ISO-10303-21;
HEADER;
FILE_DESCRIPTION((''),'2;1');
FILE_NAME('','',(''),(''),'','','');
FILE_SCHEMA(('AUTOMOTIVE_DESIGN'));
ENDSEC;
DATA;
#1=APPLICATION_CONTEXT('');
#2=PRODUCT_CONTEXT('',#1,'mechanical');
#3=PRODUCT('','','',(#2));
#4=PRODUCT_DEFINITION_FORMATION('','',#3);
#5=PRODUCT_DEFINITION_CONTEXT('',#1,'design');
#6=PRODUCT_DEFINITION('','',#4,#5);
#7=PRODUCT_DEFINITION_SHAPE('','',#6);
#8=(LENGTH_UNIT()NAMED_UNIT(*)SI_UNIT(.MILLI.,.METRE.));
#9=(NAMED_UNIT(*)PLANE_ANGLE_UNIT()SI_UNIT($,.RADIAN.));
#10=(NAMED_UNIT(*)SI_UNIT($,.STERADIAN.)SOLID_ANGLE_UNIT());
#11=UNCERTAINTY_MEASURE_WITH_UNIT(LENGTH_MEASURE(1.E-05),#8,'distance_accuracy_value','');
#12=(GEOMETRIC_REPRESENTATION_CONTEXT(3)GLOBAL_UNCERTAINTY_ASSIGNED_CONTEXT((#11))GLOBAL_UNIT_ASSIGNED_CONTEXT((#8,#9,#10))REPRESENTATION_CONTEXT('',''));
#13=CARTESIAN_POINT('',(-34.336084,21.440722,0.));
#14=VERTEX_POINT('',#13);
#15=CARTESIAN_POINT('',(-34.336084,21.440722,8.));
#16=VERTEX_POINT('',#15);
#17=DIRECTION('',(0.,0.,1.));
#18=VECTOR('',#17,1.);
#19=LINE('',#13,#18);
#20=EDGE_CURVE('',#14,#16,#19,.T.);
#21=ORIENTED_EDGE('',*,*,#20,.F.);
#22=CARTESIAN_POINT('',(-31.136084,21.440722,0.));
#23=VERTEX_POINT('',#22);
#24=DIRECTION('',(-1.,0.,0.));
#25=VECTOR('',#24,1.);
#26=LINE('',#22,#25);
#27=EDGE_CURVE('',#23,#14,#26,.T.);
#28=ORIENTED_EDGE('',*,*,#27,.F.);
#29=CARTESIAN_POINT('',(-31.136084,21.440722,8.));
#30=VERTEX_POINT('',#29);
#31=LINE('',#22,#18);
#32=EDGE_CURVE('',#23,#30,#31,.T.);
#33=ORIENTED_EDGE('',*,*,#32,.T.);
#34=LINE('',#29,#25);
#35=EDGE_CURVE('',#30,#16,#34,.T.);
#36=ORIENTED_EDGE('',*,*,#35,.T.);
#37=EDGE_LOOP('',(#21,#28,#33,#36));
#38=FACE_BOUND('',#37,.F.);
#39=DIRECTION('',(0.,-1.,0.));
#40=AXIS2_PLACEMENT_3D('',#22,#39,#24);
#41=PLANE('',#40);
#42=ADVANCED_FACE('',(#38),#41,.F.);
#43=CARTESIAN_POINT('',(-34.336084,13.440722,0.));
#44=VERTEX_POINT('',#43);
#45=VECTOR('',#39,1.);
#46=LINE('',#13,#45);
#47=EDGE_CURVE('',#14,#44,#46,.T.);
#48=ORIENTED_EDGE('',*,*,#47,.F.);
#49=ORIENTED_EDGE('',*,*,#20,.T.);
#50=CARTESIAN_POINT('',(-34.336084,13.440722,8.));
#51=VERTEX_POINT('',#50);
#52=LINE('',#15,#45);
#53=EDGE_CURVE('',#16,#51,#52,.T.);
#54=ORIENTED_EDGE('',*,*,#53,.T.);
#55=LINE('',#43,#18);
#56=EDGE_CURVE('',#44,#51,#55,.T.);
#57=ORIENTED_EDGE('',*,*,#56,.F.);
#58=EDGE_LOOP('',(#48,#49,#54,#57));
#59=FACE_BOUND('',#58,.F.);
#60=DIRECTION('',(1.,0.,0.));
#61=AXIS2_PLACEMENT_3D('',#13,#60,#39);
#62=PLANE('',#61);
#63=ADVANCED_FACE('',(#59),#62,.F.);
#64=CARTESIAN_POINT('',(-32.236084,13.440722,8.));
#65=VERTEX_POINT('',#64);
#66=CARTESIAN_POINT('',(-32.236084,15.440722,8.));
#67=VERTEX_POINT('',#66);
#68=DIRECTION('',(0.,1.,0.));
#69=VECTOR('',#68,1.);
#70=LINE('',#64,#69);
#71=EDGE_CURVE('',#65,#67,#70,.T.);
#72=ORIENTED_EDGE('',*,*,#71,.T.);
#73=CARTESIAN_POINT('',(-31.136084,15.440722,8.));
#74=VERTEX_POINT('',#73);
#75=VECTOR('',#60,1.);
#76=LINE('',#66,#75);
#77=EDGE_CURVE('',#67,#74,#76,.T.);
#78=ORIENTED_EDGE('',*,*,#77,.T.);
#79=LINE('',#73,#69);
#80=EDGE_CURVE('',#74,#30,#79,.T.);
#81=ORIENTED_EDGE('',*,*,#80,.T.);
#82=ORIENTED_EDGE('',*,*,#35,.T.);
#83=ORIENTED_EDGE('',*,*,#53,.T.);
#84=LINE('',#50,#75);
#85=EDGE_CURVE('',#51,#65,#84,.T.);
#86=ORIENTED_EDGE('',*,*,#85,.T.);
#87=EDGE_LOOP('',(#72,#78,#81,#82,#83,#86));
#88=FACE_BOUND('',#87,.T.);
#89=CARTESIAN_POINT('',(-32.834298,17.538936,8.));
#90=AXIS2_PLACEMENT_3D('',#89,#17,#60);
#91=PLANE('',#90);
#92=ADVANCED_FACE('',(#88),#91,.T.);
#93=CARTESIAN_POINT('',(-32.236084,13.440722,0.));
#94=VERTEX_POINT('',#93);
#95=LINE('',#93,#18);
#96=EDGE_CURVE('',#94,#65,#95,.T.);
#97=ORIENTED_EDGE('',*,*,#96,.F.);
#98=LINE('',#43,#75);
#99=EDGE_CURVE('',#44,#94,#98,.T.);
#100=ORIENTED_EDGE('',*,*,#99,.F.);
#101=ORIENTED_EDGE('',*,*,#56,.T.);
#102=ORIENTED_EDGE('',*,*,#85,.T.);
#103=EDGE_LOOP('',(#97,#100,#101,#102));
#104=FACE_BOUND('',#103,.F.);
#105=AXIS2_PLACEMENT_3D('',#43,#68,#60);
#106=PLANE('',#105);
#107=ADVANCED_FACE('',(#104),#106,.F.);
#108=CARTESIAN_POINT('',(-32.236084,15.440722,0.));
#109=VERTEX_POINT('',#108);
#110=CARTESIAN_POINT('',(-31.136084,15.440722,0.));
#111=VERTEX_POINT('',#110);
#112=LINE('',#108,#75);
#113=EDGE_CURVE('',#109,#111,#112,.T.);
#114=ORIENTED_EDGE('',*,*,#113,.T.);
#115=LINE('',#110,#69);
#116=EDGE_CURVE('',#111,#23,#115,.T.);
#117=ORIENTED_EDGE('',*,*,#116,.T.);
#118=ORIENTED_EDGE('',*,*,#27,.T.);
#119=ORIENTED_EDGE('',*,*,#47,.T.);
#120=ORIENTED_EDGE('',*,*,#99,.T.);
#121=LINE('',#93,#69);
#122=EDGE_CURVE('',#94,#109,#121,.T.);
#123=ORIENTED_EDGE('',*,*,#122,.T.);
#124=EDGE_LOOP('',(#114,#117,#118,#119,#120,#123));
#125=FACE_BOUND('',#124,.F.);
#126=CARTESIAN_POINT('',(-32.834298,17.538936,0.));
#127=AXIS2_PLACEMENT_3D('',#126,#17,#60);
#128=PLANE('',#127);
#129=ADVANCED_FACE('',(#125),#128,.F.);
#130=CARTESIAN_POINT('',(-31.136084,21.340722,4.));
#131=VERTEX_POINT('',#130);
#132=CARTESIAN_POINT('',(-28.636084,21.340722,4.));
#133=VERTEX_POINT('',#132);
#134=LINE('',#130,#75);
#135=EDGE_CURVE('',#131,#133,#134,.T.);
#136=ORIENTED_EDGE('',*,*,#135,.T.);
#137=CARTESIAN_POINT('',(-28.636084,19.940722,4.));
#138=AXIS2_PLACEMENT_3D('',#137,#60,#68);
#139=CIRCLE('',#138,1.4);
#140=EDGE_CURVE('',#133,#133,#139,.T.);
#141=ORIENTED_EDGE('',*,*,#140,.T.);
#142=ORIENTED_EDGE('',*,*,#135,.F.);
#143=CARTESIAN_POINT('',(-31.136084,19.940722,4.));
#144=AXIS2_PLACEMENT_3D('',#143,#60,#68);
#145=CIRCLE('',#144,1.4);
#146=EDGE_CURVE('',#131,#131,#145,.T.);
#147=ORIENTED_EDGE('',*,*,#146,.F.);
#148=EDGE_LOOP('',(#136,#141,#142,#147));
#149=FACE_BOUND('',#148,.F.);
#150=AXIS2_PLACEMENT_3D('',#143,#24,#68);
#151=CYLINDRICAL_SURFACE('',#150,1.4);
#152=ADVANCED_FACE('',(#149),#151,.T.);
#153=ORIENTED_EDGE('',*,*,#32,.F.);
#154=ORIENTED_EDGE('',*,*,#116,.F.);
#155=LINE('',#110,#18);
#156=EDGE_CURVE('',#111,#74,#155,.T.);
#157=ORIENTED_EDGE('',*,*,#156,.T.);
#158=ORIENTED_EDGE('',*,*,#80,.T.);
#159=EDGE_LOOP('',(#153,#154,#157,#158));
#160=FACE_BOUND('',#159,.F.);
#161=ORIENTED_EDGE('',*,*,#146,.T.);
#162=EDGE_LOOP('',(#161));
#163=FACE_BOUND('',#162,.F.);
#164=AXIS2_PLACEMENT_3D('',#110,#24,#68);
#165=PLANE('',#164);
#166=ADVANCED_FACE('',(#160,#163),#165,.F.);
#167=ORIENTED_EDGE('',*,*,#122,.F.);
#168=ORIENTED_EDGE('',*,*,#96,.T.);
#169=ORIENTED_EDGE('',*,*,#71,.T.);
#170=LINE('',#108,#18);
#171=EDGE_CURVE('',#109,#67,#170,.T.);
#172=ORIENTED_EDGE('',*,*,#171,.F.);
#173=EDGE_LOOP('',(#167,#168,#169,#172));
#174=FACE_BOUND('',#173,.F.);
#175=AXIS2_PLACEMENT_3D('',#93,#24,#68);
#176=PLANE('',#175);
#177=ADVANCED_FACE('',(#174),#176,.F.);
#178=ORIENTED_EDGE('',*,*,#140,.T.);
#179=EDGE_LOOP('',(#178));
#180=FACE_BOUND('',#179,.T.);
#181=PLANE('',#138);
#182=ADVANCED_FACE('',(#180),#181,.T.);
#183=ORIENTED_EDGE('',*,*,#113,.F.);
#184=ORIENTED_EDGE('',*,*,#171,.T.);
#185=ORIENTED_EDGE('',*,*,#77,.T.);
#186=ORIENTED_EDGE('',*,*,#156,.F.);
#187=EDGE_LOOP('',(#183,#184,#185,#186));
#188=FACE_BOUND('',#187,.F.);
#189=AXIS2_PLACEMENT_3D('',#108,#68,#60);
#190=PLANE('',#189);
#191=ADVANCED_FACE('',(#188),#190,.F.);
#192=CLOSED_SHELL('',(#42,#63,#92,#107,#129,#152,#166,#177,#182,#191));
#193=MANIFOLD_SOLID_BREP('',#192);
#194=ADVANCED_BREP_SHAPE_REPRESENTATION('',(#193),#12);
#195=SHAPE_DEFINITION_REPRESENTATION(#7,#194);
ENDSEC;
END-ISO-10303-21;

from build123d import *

# Parameters (mm, degrees)
F1_DEPTH = 8
F2_R     = 1.4
F3_DEPTH = 2.5


with BuildPart() as f1:
    # F0 (on Top) → F1 (new body)
    with BuildSketch(Plane.XY):
        Polygon((-34.336084, 21.440722), (-34.336084, 13.440722), (-32.236084, 13.440722), (-32.236084, 15.440722), (-31.136084, 15.440722), (-31.136084, 21.440722), align=None)
    extrude(amount=F1_DEPTH)

    # F2 (on face) → F3 (join)
    with BuildSketch(Plane.YZ.offset(-31.136084)):
        with Locations((19.940722, 4)):
            Circle(F2_R)
    extrude(amount=F3_DEPTH)


solid = f1.part
